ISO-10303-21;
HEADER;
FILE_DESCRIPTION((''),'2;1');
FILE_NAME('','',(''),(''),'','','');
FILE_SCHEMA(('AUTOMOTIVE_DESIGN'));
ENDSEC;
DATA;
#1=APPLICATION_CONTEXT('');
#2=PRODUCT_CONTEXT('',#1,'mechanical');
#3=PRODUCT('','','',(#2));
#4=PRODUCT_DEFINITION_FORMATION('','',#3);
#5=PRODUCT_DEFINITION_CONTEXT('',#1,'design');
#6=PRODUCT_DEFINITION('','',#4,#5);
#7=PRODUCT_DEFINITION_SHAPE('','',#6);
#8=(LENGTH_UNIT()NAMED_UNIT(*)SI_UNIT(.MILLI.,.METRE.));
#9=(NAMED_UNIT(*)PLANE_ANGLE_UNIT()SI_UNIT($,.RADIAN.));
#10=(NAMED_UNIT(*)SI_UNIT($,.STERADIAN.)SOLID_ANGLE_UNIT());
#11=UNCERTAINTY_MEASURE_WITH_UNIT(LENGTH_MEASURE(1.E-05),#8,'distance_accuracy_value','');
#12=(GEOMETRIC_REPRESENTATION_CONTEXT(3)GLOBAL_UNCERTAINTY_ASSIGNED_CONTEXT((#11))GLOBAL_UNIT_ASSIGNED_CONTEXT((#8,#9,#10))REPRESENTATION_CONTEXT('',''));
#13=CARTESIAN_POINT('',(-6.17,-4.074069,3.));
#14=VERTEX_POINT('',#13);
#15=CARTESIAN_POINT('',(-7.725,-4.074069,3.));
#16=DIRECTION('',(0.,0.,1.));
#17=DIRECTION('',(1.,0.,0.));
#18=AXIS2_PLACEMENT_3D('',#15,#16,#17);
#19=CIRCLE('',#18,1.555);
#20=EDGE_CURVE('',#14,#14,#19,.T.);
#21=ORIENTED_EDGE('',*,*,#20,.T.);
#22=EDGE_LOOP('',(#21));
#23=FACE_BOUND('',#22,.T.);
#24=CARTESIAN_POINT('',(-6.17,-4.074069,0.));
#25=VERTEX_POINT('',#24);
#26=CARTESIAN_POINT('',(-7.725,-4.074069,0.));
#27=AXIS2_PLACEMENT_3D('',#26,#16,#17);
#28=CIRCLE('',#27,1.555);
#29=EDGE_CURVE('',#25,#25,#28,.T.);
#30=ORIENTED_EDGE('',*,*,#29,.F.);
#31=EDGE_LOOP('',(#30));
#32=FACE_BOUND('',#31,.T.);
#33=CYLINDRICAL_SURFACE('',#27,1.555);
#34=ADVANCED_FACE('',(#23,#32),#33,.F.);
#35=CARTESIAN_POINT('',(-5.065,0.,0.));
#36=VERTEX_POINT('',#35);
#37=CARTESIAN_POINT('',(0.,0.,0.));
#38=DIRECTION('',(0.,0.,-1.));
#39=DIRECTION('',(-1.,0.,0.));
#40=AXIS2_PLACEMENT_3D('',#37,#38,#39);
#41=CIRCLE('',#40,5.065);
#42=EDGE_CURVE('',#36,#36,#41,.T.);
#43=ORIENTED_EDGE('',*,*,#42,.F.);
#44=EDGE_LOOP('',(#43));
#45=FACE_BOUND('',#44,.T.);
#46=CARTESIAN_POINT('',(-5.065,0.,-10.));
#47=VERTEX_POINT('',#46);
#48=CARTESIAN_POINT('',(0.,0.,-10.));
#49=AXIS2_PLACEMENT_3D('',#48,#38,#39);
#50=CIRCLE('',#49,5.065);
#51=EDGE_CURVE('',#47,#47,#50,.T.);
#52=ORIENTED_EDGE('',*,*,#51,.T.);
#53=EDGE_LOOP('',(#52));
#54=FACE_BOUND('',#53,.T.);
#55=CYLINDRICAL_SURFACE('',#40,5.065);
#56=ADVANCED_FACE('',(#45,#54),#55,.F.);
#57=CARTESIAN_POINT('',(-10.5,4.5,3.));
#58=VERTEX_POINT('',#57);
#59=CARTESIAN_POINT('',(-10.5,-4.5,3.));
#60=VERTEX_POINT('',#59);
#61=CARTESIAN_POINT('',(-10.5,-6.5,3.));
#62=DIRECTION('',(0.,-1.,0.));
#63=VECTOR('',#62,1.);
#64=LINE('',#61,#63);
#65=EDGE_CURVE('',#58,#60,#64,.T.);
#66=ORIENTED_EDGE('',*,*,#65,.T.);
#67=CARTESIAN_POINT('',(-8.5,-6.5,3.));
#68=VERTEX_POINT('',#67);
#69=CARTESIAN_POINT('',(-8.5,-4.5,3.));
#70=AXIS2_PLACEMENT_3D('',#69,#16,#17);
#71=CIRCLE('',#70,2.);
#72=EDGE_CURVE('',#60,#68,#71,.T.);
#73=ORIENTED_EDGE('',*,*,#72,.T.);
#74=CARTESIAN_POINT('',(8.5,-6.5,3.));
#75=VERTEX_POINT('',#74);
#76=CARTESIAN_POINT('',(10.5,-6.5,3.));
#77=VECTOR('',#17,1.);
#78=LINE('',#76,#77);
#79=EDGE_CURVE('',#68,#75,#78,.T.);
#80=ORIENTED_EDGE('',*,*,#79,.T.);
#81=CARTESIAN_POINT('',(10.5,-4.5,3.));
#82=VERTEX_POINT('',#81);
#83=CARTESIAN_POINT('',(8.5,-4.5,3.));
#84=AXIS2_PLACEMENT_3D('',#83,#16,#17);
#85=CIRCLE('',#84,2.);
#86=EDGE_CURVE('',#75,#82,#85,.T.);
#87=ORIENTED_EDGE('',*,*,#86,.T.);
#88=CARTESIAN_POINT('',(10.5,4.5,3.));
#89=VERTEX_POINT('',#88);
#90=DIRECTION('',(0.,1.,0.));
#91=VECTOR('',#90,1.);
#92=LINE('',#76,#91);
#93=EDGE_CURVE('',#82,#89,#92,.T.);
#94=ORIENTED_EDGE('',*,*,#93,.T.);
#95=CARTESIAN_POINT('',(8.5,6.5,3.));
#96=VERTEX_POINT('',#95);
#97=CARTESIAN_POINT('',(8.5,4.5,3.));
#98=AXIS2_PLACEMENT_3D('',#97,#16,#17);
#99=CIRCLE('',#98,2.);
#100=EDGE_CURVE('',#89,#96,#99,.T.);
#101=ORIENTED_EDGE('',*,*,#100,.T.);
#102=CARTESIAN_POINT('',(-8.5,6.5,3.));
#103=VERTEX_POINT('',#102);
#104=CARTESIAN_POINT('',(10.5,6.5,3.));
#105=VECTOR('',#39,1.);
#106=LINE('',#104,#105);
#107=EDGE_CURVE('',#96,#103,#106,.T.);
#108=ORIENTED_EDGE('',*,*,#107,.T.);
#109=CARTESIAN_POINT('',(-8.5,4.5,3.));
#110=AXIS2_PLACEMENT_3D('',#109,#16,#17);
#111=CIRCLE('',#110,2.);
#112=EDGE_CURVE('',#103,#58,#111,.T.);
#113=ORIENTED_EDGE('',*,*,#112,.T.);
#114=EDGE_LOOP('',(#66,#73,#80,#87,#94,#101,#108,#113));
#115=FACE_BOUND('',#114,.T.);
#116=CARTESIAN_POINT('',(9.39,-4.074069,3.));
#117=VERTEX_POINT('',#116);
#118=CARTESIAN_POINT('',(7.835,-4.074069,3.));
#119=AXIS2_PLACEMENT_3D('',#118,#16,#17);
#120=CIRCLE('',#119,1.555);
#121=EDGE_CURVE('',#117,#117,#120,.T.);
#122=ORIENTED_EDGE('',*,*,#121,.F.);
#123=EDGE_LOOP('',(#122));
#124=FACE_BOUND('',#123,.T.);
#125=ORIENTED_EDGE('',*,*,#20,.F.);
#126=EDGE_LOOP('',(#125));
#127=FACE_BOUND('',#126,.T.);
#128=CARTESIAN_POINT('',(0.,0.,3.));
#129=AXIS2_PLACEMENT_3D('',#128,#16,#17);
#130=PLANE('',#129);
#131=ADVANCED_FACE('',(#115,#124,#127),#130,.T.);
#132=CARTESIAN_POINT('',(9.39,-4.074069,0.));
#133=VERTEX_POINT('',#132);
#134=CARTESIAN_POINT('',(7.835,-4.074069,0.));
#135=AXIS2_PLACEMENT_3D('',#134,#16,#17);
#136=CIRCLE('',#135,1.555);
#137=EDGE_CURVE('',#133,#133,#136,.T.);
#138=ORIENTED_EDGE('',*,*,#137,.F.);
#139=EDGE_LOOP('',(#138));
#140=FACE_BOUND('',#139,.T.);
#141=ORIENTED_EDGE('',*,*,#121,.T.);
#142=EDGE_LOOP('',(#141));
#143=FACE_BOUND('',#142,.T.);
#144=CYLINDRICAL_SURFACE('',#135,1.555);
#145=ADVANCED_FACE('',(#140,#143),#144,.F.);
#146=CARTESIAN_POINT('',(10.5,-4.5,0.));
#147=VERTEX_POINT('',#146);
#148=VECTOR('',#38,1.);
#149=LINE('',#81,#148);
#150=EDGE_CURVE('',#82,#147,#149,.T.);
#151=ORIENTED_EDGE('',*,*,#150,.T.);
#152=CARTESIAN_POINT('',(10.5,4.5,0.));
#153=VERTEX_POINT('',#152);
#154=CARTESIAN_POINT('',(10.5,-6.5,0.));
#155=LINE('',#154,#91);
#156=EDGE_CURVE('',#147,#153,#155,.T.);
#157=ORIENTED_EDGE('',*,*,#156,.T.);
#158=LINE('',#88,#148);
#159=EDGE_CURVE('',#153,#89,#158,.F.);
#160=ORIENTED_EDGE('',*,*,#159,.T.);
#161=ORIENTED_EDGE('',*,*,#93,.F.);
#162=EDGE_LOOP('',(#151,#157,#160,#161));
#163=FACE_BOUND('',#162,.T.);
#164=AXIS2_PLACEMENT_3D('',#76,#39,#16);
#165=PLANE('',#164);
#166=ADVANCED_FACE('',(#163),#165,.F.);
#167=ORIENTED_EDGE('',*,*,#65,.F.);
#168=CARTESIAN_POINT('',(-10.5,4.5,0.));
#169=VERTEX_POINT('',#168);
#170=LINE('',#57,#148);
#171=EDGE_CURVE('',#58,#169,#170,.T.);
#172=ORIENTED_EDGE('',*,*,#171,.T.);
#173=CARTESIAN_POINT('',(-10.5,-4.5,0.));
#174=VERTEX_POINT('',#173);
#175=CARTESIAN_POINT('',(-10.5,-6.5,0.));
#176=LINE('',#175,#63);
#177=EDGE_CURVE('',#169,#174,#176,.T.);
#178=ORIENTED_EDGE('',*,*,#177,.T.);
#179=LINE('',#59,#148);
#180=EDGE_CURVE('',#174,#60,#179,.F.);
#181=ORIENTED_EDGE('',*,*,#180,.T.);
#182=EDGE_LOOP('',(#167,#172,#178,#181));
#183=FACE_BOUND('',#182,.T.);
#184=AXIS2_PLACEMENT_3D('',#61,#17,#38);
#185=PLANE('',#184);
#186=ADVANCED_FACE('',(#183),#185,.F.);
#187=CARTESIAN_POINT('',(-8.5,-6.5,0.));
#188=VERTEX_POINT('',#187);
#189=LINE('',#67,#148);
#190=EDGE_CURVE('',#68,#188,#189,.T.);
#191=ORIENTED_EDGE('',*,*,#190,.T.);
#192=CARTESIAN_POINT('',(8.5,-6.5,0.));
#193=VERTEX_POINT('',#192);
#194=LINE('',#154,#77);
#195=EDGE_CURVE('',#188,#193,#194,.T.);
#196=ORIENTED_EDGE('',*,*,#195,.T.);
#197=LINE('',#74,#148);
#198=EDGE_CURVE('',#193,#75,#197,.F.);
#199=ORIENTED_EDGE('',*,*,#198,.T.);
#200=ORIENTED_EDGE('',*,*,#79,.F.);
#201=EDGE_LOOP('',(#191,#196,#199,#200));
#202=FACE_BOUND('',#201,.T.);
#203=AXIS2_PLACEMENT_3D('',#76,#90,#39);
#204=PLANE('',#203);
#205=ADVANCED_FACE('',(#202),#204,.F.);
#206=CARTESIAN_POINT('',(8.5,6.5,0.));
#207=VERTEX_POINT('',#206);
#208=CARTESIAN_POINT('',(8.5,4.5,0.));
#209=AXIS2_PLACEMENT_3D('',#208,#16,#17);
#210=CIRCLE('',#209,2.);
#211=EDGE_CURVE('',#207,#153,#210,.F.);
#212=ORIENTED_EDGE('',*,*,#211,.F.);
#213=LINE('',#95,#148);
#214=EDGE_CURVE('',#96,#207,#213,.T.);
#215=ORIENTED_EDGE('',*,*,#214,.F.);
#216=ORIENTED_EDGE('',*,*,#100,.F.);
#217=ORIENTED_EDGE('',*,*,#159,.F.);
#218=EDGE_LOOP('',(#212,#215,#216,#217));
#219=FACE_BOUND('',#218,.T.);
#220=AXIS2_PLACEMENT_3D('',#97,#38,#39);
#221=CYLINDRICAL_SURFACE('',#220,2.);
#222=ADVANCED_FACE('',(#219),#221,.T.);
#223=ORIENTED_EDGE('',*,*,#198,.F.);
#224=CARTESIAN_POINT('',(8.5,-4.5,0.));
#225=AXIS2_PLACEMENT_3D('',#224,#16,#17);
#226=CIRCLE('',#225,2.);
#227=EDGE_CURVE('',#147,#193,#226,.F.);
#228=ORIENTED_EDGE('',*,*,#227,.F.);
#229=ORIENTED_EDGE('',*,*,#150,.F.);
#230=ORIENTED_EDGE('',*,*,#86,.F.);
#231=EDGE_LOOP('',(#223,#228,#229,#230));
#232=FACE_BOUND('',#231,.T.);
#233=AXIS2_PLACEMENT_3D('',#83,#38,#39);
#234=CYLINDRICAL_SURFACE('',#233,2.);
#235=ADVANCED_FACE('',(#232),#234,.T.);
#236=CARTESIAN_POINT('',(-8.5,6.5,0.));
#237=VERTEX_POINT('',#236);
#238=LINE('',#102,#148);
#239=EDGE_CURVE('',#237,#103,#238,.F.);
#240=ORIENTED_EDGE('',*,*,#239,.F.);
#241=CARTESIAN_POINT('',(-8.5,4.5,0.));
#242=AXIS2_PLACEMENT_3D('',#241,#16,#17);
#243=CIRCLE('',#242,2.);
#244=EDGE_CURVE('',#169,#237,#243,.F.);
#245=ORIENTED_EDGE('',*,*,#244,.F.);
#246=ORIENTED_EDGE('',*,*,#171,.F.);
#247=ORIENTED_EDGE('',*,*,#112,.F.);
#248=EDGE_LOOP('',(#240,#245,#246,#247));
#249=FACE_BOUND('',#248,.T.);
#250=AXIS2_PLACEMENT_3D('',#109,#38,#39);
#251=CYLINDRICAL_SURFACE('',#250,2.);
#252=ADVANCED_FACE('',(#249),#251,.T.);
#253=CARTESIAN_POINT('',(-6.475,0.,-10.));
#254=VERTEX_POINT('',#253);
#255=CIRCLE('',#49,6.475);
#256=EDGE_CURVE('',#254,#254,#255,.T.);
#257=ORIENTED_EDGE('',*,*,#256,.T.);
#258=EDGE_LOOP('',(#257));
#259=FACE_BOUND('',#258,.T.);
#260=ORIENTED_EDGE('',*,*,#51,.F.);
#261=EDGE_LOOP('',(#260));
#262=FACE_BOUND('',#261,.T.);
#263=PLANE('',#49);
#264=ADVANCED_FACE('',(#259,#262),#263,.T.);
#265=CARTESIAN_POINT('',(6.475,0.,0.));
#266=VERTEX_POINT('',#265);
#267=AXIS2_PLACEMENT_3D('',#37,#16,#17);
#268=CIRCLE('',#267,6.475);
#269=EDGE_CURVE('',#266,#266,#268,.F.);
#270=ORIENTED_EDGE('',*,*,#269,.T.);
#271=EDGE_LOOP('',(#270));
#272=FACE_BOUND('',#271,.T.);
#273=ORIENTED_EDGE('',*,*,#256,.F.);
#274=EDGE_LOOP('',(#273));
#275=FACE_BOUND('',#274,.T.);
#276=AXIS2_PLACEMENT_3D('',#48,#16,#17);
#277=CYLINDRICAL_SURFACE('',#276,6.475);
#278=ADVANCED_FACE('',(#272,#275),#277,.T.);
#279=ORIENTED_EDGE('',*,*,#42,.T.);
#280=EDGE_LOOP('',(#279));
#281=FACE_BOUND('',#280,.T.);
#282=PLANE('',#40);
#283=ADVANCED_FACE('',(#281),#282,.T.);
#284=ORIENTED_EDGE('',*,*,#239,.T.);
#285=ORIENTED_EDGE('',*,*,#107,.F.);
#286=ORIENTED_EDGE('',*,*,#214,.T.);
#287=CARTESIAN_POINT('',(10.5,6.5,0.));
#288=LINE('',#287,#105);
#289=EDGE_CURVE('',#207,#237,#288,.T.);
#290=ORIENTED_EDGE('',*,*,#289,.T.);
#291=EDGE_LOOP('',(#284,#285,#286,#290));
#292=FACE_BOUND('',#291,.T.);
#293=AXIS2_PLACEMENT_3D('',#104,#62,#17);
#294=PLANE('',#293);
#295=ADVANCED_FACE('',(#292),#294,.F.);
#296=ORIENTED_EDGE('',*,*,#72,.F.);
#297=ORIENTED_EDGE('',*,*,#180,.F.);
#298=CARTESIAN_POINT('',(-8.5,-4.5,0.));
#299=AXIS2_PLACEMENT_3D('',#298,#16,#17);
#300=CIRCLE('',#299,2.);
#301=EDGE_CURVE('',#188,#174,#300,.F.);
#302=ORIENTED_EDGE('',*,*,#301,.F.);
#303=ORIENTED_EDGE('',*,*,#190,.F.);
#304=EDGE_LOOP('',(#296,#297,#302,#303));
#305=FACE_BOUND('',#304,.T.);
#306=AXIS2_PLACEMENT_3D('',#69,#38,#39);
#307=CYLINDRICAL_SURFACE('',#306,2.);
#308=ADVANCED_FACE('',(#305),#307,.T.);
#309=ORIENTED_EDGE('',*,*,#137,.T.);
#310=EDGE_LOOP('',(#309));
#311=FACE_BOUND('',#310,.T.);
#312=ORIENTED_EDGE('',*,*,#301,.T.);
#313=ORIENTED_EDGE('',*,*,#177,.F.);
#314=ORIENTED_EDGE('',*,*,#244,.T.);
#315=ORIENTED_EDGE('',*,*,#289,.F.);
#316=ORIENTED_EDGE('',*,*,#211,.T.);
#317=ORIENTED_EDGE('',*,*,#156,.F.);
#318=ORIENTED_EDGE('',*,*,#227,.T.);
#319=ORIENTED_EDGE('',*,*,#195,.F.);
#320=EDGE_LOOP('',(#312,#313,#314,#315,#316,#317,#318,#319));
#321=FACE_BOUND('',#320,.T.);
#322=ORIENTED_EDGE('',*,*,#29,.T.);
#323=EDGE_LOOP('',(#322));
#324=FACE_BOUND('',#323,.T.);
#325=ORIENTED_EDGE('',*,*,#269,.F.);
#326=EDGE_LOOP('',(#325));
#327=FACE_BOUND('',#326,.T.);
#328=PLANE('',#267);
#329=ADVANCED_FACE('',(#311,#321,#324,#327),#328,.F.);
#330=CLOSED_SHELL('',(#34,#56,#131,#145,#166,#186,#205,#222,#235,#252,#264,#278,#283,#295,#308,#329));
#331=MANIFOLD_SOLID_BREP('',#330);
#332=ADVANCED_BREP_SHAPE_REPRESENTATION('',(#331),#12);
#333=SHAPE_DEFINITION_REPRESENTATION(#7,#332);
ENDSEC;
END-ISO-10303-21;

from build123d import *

# Parameters (mm, degrees)
ESQUISSE1_W             = 21
ESQUISSE1_H             = 13
BOSS_EXTRU_1_DEPTH      = 3
CONG_1_R                = 2
ESQUISSE2_R             = 1.555
ENL_V_MAT_EXTRU_1_DEPTH = 4
ESQUISSE3_R             = 6.475
BOSS_EXTRU_2_DEPTH      = 10
ESQUISSE4_R             = 5.065
ENL_V_MAT_EXTRU_2_DEPTH = 10


with BuildPart() as part:
    # Esquisse1 → Boss.-Extru.1 (new body)
    with BuildSketch(Plane.XY):
        Rectangle(ESQUISSE1_W, ESQUISSE1_H)
    extrude(amount=BOSS_EXTRU_1_DEPTH)

    # Congé1
    cong_1_edges = [part.edges().sort_by_distance(p)[0] for p in [
        (-10.5, 6.5, 1.5),
        (10.5, 6.5, 1.5),
        (10.5, -6.5, 1.5),
        (-10.5, -6.5, 1.5),
    ]]
    fillet(cong_1_edges, radius=CONG_1_R)

    # Esquisse2 → Enlèv. mat.-Extru.1 (cut, through all)
    with BuildSketch(Plane.XY.offset(3)):
        with Locations((-7.725, -4.074069474)):
            Circle(ESQUISSE2_R)
        with Locations((7.835, -4.074069474)):
            Circle(ESQUISSE2_R)
    extrude(amount=-ENL_V_MAT_EXTRU_1_DEPTH, mode=Mode.SUBTRACT)

    # Esquisse3 → Boss.-Extru.2 (add)
    with BuildSketch(Plane(origin=(0, 0, 0), x_dir=(-1, 0, 0), z_dir=(0, 0, -1))):
        Circle(ESQUISSE3_R)
    extrude(amount=BOSS_EXTRU_2_DEPTH)

    # Esquisse4 → Enlèv. mat.-Extru.2 (cut)
    with BuildSketch(Plane(origin=(0, 0, -10), x_dir=(-1, 0, 0), z_dir=(0, 0, -1))):
        Circle(ESQUISSE4_R)
    extrude(amount=-ENL_V_MAT_EXTRU_2_DEPTH, mode=Mode.SUBTRACT)


solid = part.part
